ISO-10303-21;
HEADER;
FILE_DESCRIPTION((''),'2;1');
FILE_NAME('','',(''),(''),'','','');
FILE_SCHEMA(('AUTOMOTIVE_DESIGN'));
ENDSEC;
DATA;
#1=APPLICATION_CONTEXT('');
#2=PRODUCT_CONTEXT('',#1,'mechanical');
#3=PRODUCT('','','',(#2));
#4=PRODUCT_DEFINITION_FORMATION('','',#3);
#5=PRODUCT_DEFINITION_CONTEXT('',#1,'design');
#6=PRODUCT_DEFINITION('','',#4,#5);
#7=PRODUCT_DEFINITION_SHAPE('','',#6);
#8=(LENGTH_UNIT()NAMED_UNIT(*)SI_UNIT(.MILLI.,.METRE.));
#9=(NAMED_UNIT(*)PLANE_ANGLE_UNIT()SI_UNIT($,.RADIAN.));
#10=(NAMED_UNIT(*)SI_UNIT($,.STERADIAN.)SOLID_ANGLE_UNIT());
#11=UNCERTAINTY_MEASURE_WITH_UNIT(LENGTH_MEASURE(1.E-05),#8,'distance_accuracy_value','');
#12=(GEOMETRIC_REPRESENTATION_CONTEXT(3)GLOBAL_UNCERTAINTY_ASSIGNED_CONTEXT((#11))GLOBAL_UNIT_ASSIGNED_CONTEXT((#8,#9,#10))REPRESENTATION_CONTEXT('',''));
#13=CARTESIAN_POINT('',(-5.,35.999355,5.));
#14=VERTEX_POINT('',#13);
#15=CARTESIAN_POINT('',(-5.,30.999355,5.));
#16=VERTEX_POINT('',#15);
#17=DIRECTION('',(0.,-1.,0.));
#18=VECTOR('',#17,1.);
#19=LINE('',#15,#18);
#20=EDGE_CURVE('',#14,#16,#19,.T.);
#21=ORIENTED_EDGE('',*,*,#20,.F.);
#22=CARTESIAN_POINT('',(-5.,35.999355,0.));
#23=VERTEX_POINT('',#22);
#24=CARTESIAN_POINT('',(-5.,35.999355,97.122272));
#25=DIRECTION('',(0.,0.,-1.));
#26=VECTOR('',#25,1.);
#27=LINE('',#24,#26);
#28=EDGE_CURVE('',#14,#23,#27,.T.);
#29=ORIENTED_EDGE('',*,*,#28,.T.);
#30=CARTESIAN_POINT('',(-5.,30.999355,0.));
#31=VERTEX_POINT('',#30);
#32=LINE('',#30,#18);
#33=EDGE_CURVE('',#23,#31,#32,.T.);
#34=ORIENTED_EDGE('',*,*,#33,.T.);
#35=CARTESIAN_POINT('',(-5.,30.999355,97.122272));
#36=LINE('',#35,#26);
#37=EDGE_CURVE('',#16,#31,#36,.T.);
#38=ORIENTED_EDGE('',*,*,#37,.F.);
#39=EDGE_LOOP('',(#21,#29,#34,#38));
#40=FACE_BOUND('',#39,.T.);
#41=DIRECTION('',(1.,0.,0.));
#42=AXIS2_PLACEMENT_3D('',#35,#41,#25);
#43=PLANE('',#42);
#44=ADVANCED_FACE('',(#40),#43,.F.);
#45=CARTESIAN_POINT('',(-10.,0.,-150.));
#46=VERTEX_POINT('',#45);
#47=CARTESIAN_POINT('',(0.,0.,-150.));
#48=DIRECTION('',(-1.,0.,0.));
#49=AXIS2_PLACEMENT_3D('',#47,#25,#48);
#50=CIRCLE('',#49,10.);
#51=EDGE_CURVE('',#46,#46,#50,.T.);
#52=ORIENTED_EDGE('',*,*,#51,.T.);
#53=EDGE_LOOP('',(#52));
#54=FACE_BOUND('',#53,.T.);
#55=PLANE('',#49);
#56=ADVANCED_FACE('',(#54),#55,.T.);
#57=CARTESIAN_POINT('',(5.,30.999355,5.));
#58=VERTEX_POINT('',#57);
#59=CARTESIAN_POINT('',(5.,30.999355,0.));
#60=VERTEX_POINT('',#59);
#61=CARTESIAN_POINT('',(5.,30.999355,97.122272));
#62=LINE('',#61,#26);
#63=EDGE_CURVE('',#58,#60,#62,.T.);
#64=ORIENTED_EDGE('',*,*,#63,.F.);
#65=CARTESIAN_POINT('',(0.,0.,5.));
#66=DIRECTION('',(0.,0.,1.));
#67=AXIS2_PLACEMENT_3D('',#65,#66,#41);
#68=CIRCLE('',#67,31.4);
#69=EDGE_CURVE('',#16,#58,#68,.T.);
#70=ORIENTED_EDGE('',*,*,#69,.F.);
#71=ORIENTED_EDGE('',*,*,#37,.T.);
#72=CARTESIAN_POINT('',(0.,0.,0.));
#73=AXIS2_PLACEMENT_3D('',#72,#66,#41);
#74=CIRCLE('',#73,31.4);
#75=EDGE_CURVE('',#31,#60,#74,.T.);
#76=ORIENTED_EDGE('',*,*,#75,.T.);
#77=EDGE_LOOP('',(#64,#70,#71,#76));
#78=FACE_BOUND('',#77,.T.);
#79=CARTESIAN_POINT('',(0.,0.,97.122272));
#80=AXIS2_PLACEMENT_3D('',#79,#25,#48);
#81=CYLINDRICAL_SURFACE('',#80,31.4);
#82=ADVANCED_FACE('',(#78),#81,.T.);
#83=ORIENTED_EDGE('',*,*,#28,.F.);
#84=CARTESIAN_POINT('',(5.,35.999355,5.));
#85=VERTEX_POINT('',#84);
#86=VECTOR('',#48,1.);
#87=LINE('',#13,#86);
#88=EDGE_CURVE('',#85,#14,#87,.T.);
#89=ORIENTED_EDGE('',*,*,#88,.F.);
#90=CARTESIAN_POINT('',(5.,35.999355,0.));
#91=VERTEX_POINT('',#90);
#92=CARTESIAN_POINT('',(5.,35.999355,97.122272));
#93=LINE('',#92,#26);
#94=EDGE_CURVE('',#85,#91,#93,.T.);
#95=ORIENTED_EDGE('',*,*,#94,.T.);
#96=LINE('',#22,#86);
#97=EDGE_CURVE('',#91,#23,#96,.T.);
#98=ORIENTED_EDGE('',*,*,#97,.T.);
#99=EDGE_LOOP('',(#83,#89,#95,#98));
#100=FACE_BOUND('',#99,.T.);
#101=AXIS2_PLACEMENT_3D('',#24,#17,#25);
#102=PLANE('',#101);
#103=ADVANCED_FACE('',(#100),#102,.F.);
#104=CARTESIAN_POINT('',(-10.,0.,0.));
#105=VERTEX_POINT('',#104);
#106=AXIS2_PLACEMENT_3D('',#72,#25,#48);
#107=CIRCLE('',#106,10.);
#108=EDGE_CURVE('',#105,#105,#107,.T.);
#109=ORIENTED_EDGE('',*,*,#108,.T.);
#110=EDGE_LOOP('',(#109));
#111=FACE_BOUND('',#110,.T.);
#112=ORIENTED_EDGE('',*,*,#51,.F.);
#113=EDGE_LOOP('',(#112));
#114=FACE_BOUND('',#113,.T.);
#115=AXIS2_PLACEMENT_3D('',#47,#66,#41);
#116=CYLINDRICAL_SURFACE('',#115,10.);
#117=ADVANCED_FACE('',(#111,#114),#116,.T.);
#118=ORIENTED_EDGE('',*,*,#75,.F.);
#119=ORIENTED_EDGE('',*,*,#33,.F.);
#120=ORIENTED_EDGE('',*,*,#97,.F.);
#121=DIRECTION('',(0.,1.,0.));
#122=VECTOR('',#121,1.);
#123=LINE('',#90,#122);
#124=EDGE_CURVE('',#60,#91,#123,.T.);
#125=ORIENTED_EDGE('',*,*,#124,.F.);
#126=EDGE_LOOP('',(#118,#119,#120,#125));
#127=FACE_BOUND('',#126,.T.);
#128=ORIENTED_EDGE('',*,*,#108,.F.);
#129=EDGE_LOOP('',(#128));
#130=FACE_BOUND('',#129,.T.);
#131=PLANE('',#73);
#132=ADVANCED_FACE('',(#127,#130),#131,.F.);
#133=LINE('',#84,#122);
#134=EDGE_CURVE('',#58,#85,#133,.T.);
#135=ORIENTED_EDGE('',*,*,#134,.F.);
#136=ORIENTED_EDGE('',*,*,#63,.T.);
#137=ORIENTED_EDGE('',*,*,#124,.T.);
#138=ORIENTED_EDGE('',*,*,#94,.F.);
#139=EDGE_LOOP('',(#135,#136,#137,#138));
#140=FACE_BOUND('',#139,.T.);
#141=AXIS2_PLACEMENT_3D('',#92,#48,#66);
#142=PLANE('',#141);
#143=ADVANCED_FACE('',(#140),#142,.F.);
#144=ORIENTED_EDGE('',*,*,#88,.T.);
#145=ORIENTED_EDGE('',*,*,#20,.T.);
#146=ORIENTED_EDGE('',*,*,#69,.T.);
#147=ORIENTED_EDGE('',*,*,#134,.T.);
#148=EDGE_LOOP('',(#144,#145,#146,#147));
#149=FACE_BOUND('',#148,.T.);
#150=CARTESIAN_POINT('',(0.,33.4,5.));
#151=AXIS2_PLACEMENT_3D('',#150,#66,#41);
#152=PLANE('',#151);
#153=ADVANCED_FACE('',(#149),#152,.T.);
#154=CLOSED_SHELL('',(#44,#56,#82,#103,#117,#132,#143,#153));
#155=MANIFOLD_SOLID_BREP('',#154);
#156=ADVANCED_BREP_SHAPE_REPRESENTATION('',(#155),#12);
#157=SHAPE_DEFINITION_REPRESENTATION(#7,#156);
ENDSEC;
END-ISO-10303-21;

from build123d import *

# Parameters (mm, degrees)
BASE_EXTRUSION_DEPTH = 5
ESQUISSE2_R          = 10
BOSS_EXTRU_1_DEPTH   = 150


with BuildPart() as part:
    # Esquisse1 → Base-Extrusion (new body)
    with BuildSketch(Plane.XY):
        with BuildLine():
            Line((-5, 30.999354832), (-5, 35.999354832))
            Line((-5, 35.999354832), (5, 35.999354832))
            Line((5, 35.999354832), (5, 30.999354832))
            ThreePointArc((5, 30.999354832), (0, -31.4), (-5, 30.999354832))
        make_face()
    extrude(amount=BASE_EXTRUSION_DEPTH)

    # Esquisse2 → Boss.-Extru.1 (add)
    with BuildSketch(Plane(origin=(0, 0, 0), x_dir=(-1, 0, 0), z_dir=(0, 0, -1))):
        Circle(ESQUISSE2_R)
    extrude(amount=BOSS_EXTRU_1_DEPTH)


solid = part.part
